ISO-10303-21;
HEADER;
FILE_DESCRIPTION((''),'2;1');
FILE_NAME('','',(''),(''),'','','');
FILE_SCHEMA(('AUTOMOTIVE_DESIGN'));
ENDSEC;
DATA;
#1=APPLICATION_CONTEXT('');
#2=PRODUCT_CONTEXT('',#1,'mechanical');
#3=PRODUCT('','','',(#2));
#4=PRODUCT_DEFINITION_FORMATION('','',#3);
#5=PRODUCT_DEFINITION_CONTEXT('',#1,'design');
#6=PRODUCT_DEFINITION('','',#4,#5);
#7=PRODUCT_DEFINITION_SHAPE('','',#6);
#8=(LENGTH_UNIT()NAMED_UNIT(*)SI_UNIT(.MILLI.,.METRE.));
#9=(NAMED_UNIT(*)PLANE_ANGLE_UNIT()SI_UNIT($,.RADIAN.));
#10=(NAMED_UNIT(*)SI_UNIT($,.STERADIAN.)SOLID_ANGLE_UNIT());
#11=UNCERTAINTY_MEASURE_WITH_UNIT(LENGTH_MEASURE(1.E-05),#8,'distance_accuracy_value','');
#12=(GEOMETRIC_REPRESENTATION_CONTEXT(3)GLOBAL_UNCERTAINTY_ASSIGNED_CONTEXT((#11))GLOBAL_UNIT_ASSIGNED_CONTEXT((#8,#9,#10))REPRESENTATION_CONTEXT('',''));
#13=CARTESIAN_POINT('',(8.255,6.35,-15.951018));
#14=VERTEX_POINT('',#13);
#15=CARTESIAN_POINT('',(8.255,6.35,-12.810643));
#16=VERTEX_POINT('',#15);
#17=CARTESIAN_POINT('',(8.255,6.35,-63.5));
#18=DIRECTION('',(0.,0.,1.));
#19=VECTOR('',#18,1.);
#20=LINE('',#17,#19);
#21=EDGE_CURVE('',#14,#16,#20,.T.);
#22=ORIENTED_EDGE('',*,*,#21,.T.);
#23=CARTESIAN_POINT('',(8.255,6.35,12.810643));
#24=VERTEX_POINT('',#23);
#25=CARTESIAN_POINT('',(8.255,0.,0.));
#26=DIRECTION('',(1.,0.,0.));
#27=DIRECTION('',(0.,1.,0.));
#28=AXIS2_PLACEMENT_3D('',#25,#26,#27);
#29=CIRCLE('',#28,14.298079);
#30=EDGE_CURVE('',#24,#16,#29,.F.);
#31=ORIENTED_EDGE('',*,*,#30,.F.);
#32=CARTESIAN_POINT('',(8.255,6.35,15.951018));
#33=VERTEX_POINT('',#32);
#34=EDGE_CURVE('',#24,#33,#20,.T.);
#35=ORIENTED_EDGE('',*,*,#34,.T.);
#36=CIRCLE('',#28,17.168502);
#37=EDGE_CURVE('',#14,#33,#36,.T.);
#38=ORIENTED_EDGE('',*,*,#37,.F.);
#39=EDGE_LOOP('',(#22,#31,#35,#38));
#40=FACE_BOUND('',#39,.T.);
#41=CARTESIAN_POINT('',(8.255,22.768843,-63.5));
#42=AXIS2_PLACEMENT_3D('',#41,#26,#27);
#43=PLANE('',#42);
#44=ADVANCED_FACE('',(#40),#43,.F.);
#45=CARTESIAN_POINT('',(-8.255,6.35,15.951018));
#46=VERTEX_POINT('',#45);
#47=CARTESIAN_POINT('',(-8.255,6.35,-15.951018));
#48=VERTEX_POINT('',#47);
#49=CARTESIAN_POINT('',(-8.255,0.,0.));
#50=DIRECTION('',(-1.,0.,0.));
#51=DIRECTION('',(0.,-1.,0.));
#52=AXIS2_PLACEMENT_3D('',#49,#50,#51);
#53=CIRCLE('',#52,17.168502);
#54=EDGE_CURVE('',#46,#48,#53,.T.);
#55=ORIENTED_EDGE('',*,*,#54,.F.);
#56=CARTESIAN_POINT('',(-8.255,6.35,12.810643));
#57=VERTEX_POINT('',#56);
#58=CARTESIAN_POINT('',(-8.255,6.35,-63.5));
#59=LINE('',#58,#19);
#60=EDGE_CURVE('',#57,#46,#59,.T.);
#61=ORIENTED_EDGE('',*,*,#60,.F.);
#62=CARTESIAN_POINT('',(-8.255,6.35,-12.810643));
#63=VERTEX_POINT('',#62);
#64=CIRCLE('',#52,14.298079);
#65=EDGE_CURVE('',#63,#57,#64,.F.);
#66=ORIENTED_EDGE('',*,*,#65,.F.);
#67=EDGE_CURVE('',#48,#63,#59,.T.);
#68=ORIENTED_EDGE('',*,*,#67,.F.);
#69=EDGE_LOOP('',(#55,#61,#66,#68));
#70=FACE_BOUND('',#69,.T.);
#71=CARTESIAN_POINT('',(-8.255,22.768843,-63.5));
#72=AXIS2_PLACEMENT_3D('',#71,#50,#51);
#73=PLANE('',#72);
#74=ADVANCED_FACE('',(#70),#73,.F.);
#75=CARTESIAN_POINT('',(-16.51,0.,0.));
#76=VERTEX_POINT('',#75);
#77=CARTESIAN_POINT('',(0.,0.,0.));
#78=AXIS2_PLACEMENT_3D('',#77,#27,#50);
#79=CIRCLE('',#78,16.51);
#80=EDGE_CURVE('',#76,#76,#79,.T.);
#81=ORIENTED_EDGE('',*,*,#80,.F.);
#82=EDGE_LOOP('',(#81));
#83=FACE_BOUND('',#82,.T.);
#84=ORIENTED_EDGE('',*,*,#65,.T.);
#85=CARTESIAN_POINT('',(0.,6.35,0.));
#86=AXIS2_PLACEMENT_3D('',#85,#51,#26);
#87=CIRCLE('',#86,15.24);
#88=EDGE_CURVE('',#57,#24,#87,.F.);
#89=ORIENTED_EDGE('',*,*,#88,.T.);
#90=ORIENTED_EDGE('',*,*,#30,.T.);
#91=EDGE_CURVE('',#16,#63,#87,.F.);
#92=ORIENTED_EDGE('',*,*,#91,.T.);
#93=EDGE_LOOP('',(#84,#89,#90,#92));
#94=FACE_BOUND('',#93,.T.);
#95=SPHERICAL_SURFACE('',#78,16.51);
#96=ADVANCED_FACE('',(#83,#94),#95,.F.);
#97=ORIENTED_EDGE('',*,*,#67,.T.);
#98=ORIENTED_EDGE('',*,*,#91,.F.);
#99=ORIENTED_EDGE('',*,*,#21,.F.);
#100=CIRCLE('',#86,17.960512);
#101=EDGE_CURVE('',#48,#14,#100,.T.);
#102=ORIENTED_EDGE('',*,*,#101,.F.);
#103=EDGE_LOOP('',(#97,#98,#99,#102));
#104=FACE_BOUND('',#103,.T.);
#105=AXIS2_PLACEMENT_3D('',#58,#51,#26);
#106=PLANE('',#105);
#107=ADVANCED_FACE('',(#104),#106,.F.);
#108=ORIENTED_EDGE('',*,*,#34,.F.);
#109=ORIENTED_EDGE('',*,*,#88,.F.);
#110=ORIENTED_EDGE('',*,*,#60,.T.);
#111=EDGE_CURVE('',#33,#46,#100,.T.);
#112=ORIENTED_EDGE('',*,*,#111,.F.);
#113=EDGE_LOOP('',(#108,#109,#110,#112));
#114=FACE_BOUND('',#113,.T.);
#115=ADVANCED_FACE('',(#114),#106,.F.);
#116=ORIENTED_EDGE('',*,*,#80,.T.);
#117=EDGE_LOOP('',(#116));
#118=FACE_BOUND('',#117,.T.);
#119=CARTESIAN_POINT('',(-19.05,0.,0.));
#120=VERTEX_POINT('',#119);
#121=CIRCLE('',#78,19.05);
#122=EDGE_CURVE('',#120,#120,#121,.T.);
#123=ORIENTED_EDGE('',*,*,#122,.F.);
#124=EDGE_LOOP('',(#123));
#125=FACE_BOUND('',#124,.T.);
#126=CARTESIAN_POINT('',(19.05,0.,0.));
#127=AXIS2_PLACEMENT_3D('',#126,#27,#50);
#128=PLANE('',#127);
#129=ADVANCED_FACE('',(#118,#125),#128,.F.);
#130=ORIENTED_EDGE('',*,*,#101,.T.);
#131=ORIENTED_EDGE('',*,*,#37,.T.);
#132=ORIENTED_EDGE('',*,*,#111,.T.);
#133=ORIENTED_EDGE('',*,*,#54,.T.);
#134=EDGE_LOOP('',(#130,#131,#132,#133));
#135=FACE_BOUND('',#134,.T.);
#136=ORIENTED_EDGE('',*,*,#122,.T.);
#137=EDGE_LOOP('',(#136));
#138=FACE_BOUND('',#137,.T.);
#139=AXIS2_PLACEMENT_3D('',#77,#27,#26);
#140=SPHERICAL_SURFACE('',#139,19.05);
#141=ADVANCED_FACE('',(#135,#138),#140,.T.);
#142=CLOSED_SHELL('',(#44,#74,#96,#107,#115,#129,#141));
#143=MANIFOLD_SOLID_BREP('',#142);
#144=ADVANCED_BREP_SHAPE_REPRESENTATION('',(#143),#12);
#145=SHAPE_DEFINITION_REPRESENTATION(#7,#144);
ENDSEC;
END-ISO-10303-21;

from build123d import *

# Parameters (mm, degrees)
SKETCH2_W          = 16.51
SKETCH2_H          = 16.418842622
CUT_EXTRUDE1_DEPTH = 63.5


with BuildPart() as part:
    # Sketch1 → Revolve1 (revolve)
    with BuildSketch(Plane.XY, mode=Mode.PRIVATE) as revolve1_sk:
        with BuildLine():
            Line((19.05, 0), (16.51, 0))
            ThreePointArc((16.51, 0), (11.674332957, 11.674332957), (0, 16.51))
            Line((0, 16.51), (0, 19.05))
            ThreePointArc((0, 19.05), (13.470384182, 13.470384182), (19.05, 0))
        make_face()
    revolve(revolve1_sk.sketch.rotate(Axis((0, 19.05, 0), (0, -1, 0)), 180), axis=Axis((0, 19.05, 0), (0, -1, 0)))

    # Sketch2 → Cut-Extrude1 (cut, symmetric)
    with BuildSketch(Plane.XY):
        with Locations((0, 14.559421311)):
            Rectangle(SKETCH2_W, SKETCH2_H)
    extrude(amount=CUT_EXTRUDE1_DEPTH, both=True, mode=Mode.SUBTRACT)


solid = part.part
